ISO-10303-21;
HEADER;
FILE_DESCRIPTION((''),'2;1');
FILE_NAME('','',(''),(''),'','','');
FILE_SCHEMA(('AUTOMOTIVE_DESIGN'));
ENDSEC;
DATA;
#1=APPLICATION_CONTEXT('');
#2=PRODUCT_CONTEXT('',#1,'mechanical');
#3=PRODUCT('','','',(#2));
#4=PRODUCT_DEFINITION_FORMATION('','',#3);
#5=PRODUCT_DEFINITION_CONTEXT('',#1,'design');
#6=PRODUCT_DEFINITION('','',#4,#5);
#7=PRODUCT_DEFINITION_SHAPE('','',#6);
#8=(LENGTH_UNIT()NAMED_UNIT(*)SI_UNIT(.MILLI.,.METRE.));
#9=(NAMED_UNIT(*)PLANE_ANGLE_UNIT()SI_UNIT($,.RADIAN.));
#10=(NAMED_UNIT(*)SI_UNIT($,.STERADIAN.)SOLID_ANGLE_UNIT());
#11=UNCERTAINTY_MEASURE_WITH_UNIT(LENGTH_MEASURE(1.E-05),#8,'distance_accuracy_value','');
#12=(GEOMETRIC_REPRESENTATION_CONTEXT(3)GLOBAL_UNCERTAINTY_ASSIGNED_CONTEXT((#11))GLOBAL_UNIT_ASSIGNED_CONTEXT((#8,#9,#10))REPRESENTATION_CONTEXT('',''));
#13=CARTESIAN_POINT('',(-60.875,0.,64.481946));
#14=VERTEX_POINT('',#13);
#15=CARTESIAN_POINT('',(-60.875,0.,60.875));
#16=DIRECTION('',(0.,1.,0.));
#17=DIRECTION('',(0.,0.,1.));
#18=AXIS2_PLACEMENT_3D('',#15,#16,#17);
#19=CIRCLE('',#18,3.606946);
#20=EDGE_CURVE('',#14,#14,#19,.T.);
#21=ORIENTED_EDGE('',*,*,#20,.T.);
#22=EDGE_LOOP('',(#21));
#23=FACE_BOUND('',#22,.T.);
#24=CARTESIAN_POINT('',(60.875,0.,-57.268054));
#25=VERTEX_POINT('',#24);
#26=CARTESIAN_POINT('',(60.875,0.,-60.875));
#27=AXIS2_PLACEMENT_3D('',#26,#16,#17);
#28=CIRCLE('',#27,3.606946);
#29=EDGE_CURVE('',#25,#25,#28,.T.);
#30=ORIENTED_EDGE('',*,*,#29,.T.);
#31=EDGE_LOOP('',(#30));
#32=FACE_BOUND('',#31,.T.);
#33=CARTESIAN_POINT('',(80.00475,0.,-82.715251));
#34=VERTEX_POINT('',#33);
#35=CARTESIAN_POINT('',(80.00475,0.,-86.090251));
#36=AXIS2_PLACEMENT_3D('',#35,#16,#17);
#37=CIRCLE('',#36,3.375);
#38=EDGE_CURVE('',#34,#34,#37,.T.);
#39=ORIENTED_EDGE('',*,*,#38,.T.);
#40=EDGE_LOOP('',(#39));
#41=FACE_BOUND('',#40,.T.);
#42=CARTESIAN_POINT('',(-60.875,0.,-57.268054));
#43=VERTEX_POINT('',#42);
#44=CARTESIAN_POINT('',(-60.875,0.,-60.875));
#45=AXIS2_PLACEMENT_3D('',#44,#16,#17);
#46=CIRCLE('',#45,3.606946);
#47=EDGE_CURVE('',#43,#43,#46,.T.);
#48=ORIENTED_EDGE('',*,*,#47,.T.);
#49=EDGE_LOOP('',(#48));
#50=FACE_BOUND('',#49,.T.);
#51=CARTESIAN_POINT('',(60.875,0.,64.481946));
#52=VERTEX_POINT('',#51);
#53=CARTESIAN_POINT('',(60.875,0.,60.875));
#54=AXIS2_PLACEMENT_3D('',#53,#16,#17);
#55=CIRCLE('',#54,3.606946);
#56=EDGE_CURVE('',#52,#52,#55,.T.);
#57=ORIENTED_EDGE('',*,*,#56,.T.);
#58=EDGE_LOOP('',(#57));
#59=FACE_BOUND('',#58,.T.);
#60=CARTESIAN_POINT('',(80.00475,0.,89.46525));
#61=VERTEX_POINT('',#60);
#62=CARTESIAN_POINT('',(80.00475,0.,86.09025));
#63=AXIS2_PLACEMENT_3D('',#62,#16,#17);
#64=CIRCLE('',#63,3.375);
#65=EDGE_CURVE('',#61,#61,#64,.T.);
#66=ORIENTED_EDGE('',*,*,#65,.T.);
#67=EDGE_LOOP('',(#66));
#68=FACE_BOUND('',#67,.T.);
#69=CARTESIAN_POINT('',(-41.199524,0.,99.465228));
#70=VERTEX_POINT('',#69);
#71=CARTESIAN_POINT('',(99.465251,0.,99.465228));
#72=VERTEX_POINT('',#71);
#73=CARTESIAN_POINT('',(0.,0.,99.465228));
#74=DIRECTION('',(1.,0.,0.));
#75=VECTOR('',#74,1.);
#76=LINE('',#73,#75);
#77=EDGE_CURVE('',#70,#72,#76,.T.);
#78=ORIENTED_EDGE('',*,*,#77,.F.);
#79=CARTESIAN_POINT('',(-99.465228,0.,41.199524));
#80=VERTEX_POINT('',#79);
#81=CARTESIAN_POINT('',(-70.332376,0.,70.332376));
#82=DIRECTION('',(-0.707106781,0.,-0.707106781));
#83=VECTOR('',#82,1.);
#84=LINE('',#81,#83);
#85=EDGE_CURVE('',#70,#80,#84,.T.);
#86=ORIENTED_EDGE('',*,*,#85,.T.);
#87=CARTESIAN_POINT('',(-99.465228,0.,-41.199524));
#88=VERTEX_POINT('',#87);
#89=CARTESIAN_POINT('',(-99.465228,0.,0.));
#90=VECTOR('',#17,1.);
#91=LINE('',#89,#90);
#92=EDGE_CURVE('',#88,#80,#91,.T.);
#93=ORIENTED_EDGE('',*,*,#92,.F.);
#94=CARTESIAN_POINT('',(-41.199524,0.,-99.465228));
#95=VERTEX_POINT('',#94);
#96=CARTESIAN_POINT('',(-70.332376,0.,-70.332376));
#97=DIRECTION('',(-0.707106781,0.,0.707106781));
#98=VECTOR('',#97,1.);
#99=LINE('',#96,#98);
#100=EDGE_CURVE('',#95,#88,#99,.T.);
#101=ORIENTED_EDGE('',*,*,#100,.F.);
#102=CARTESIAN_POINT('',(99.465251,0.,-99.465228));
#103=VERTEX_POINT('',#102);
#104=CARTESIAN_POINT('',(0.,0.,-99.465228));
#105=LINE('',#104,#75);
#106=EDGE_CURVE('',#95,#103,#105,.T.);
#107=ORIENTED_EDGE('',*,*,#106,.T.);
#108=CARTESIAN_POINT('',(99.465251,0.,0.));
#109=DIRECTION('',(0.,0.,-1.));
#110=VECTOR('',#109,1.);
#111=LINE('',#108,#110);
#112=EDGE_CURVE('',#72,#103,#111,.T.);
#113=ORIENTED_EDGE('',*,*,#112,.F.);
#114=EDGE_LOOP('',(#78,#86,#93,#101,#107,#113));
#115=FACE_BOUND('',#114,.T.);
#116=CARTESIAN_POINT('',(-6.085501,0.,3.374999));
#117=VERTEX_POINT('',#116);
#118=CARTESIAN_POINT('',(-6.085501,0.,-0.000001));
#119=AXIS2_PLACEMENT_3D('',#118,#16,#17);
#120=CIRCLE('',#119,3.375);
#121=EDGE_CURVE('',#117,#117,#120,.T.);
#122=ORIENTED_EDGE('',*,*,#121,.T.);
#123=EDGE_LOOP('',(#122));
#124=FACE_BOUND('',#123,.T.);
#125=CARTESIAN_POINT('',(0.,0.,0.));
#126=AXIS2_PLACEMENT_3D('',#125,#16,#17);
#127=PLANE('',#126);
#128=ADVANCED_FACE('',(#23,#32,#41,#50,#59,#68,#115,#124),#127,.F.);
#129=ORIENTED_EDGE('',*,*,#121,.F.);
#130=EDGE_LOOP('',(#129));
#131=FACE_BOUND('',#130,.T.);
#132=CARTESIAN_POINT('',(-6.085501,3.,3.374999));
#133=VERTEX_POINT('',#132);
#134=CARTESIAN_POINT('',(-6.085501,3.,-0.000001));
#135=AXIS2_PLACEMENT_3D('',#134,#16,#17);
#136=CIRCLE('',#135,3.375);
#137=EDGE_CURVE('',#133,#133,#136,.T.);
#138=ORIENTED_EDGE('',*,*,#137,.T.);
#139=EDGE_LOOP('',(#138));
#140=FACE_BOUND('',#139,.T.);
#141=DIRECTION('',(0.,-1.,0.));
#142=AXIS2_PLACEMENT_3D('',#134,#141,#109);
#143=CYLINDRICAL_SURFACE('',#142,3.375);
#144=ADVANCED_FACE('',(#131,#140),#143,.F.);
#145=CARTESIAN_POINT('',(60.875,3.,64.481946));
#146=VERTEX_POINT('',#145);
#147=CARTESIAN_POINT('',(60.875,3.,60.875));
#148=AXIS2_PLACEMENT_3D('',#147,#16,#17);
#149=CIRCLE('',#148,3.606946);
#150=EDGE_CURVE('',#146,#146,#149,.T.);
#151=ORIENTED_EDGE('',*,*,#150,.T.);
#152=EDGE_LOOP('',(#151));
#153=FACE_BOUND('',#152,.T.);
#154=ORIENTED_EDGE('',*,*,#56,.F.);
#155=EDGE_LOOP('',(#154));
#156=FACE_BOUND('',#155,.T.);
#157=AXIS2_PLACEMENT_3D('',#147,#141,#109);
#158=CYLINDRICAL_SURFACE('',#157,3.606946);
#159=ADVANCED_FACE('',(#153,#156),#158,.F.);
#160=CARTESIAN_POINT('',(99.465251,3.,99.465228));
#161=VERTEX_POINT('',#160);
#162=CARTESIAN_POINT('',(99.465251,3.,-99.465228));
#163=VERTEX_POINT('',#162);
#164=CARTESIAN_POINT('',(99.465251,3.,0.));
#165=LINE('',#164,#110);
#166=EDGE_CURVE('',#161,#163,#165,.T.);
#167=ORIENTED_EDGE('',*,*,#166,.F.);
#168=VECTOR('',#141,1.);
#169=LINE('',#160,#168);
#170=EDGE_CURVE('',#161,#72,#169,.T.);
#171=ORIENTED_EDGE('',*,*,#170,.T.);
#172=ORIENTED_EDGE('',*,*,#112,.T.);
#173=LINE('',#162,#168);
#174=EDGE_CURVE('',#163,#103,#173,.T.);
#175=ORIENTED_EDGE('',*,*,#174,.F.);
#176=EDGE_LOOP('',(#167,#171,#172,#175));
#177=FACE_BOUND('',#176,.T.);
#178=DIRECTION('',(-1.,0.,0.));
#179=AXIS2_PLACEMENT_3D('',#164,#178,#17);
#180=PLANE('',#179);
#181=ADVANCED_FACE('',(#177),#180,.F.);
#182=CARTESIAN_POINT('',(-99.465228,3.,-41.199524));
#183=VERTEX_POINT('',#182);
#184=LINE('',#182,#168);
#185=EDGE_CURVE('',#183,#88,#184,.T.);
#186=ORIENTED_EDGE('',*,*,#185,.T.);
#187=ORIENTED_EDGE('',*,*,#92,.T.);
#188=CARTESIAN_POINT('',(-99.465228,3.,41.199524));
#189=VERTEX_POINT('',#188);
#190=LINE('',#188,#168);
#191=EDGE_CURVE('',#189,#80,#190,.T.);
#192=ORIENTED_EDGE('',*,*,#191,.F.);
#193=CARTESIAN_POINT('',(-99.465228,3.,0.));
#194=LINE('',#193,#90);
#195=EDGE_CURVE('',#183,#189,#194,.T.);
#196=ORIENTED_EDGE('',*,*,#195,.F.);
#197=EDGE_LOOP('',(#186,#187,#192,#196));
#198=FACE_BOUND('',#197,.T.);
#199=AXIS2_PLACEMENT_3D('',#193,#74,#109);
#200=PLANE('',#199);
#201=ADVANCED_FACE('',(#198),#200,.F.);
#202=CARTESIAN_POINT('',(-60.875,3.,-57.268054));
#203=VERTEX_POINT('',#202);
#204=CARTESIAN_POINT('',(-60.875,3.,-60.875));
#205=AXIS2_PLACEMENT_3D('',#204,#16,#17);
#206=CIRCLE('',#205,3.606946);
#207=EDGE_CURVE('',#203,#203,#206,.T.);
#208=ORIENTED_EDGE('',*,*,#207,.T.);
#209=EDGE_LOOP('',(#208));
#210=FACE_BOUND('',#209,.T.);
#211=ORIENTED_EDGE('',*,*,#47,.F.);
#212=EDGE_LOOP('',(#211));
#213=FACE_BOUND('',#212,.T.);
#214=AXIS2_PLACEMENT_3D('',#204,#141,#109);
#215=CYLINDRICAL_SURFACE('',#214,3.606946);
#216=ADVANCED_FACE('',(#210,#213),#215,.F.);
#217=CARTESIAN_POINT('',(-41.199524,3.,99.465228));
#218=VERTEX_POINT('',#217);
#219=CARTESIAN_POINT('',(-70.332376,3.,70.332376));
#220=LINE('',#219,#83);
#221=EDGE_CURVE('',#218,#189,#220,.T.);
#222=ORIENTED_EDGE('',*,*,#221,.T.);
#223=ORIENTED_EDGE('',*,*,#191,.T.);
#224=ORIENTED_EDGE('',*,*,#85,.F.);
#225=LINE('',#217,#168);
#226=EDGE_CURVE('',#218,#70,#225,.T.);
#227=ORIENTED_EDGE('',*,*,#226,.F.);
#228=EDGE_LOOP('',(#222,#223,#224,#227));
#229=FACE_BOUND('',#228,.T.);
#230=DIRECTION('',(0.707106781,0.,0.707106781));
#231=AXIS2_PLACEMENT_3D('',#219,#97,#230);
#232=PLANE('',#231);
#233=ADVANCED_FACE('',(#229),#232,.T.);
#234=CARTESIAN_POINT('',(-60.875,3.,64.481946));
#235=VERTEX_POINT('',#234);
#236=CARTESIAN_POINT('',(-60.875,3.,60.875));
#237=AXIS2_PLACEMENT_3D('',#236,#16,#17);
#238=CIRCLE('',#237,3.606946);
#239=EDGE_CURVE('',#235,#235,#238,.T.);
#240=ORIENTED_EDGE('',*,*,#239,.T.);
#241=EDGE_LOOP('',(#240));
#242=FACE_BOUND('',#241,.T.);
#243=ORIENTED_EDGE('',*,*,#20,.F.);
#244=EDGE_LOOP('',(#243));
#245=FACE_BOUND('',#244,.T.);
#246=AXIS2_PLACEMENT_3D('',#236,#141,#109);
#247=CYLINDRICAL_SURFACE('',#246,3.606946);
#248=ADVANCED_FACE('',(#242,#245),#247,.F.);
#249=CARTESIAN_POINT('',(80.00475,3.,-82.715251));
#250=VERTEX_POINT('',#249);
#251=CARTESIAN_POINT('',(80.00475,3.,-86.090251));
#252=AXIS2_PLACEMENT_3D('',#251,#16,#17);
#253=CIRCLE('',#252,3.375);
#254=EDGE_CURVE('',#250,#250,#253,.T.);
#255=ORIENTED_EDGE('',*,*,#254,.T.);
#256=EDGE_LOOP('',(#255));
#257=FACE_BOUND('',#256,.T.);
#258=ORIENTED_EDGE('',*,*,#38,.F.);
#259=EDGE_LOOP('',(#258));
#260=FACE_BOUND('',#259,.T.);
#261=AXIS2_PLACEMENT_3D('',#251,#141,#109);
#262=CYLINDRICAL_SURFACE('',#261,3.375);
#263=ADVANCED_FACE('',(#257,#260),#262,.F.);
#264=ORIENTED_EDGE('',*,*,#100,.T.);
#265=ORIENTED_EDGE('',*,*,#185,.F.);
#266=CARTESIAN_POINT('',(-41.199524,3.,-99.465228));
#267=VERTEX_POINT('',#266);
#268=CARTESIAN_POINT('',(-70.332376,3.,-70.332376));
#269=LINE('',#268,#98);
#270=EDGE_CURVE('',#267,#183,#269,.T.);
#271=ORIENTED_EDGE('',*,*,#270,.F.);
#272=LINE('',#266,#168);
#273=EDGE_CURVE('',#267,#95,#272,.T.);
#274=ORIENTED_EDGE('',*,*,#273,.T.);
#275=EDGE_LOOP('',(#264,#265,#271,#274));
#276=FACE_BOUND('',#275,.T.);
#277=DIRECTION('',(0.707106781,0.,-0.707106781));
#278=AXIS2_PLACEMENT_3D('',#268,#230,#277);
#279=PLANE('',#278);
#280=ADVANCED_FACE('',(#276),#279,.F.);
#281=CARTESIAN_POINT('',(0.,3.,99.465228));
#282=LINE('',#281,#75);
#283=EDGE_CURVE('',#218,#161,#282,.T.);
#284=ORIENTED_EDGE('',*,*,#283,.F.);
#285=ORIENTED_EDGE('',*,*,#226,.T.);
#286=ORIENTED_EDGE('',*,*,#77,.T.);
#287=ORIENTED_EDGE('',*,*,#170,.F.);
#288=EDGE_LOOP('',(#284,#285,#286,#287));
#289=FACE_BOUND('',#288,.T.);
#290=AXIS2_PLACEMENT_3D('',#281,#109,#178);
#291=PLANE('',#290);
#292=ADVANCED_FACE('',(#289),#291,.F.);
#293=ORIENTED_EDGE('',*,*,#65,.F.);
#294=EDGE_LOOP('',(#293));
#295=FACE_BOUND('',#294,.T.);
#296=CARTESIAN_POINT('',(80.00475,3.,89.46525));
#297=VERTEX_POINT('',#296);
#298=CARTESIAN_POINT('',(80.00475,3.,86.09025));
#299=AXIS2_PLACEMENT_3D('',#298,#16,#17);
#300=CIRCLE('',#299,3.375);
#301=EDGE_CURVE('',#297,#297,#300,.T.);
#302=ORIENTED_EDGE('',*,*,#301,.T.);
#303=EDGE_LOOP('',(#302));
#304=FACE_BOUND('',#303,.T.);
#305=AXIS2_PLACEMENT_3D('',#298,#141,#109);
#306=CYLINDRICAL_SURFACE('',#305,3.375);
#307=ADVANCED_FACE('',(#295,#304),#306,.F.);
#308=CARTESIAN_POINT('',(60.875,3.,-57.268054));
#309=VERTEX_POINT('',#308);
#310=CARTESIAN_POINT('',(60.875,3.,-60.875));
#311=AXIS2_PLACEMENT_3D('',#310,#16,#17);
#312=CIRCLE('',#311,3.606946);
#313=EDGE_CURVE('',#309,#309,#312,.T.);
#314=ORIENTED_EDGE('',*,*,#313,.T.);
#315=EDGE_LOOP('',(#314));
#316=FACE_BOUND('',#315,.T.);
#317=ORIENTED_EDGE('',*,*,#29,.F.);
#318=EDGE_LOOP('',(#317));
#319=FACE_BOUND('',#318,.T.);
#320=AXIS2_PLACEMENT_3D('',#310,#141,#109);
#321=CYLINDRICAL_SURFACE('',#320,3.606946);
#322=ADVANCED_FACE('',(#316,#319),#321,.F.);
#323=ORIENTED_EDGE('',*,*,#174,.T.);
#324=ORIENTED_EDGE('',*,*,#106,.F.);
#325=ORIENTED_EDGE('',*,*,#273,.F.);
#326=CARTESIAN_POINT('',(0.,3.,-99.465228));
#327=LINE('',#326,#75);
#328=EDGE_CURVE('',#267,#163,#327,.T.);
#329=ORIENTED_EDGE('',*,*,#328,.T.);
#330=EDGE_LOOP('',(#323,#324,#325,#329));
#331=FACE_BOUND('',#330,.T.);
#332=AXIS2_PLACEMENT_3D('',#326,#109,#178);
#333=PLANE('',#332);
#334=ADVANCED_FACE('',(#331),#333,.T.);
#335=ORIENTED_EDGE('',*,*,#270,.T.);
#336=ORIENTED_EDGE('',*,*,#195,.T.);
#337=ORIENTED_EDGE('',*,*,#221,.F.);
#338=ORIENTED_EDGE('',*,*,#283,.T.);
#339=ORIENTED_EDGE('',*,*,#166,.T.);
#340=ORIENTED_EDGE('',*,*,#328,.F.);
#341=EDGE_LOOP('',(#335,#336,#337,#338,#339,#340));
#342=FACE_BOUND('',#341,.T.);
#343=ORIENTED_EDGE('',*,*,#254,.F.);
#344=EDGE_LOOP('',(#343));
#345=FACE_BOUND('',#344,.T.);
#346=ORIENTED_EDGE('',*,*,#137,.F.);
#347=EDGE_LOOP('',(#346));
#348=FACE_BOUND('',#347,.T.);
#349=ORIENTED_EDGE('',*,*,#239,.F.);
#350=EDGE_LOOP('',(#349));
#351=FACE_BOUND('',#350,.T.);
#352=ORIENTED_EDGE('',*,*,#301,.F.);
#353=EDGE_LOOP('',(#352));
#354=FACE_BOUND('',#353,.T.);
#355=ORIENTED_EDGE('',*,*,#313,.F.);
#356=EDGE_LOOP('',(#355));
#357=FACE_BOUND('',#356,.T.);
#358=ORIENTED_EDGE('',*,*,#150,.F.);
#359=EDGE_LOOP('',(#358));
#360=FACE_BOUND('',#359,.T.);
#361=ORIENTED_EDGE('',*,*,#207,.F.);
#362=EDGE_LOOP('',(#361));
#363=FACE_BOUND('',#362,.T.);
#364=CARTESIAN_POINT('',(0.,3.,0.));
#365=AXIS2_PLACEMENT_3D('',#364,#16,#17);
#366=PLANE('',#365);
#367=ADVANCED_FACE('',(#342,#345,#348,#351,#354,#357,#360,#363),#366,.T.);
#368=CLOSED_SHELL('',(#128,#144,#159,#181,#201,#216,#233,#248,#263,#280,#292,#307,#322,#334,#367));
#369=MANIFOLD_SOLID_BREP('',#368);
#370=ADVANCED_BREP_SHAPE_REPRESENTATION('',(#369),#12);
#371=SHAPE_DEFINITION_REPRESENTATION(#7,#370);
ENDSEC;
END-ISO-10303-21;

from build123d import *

# Parameters (mm, degrees)
SKETCH1_R           = 3.606945722
SKETCH1_R_2         = 3.375000002
SKETCH1_R_3         = 3.375000001
SKETCH1_R_4         = 3.374999999
BOSS_EXTRUDE1_DEPTH = 3


with BuildPart() as part:
    # Sketch1 → Boss-Extrude1 (new body)
    with BuildSketch(Plane(origin=(0, 0, 0), x_dir=(1, 0, 0), z_dir=(0, 1, 0))):
        Polygon((-41.199524293, 99.465227688), (99.465250609, 99.465227688), (99.465250609, -99.465227688), (-41.199524293, -99.465227688), (-99.465227688, -41.199524293), (-99.465227688, 41.199524293), align=None)
        with Locations((-60.875, 60.875)):
            Circle(SKETCH1_R, mode=Mode.SUBTRACT)
        with Locations((60.875, 60.875)):
            Circle(SKETCH1_R, mode=Mode.SUBTRACT)
        with Locations((60.875, -60.875)):
            Circle(SKETCH1_R, mode=Mode.SUBTRACT)
        with Locations((-60.875, -60.875)):
            Circle(SKETCH1_R, mode=Mode.SUBTRACT)
        with Locations((80.004750061, -86.090249939)):
            Circle(SKETCH1_R_2, mode=Mode.SUBTRACT)
        with Locations((-6.085500548, 6.7e-07)):
            Circle(SKETCH1_R_3, mode=Mode.SUBTRACT)
        with Locations((80.004750061, 86.09025128)):
            Circle(SKETCH1_R_4, mode=Mode.SUBTRACT)
    extrude(amount=BOSS_EXTRUDE1_DEPTH)


solid = part.part
